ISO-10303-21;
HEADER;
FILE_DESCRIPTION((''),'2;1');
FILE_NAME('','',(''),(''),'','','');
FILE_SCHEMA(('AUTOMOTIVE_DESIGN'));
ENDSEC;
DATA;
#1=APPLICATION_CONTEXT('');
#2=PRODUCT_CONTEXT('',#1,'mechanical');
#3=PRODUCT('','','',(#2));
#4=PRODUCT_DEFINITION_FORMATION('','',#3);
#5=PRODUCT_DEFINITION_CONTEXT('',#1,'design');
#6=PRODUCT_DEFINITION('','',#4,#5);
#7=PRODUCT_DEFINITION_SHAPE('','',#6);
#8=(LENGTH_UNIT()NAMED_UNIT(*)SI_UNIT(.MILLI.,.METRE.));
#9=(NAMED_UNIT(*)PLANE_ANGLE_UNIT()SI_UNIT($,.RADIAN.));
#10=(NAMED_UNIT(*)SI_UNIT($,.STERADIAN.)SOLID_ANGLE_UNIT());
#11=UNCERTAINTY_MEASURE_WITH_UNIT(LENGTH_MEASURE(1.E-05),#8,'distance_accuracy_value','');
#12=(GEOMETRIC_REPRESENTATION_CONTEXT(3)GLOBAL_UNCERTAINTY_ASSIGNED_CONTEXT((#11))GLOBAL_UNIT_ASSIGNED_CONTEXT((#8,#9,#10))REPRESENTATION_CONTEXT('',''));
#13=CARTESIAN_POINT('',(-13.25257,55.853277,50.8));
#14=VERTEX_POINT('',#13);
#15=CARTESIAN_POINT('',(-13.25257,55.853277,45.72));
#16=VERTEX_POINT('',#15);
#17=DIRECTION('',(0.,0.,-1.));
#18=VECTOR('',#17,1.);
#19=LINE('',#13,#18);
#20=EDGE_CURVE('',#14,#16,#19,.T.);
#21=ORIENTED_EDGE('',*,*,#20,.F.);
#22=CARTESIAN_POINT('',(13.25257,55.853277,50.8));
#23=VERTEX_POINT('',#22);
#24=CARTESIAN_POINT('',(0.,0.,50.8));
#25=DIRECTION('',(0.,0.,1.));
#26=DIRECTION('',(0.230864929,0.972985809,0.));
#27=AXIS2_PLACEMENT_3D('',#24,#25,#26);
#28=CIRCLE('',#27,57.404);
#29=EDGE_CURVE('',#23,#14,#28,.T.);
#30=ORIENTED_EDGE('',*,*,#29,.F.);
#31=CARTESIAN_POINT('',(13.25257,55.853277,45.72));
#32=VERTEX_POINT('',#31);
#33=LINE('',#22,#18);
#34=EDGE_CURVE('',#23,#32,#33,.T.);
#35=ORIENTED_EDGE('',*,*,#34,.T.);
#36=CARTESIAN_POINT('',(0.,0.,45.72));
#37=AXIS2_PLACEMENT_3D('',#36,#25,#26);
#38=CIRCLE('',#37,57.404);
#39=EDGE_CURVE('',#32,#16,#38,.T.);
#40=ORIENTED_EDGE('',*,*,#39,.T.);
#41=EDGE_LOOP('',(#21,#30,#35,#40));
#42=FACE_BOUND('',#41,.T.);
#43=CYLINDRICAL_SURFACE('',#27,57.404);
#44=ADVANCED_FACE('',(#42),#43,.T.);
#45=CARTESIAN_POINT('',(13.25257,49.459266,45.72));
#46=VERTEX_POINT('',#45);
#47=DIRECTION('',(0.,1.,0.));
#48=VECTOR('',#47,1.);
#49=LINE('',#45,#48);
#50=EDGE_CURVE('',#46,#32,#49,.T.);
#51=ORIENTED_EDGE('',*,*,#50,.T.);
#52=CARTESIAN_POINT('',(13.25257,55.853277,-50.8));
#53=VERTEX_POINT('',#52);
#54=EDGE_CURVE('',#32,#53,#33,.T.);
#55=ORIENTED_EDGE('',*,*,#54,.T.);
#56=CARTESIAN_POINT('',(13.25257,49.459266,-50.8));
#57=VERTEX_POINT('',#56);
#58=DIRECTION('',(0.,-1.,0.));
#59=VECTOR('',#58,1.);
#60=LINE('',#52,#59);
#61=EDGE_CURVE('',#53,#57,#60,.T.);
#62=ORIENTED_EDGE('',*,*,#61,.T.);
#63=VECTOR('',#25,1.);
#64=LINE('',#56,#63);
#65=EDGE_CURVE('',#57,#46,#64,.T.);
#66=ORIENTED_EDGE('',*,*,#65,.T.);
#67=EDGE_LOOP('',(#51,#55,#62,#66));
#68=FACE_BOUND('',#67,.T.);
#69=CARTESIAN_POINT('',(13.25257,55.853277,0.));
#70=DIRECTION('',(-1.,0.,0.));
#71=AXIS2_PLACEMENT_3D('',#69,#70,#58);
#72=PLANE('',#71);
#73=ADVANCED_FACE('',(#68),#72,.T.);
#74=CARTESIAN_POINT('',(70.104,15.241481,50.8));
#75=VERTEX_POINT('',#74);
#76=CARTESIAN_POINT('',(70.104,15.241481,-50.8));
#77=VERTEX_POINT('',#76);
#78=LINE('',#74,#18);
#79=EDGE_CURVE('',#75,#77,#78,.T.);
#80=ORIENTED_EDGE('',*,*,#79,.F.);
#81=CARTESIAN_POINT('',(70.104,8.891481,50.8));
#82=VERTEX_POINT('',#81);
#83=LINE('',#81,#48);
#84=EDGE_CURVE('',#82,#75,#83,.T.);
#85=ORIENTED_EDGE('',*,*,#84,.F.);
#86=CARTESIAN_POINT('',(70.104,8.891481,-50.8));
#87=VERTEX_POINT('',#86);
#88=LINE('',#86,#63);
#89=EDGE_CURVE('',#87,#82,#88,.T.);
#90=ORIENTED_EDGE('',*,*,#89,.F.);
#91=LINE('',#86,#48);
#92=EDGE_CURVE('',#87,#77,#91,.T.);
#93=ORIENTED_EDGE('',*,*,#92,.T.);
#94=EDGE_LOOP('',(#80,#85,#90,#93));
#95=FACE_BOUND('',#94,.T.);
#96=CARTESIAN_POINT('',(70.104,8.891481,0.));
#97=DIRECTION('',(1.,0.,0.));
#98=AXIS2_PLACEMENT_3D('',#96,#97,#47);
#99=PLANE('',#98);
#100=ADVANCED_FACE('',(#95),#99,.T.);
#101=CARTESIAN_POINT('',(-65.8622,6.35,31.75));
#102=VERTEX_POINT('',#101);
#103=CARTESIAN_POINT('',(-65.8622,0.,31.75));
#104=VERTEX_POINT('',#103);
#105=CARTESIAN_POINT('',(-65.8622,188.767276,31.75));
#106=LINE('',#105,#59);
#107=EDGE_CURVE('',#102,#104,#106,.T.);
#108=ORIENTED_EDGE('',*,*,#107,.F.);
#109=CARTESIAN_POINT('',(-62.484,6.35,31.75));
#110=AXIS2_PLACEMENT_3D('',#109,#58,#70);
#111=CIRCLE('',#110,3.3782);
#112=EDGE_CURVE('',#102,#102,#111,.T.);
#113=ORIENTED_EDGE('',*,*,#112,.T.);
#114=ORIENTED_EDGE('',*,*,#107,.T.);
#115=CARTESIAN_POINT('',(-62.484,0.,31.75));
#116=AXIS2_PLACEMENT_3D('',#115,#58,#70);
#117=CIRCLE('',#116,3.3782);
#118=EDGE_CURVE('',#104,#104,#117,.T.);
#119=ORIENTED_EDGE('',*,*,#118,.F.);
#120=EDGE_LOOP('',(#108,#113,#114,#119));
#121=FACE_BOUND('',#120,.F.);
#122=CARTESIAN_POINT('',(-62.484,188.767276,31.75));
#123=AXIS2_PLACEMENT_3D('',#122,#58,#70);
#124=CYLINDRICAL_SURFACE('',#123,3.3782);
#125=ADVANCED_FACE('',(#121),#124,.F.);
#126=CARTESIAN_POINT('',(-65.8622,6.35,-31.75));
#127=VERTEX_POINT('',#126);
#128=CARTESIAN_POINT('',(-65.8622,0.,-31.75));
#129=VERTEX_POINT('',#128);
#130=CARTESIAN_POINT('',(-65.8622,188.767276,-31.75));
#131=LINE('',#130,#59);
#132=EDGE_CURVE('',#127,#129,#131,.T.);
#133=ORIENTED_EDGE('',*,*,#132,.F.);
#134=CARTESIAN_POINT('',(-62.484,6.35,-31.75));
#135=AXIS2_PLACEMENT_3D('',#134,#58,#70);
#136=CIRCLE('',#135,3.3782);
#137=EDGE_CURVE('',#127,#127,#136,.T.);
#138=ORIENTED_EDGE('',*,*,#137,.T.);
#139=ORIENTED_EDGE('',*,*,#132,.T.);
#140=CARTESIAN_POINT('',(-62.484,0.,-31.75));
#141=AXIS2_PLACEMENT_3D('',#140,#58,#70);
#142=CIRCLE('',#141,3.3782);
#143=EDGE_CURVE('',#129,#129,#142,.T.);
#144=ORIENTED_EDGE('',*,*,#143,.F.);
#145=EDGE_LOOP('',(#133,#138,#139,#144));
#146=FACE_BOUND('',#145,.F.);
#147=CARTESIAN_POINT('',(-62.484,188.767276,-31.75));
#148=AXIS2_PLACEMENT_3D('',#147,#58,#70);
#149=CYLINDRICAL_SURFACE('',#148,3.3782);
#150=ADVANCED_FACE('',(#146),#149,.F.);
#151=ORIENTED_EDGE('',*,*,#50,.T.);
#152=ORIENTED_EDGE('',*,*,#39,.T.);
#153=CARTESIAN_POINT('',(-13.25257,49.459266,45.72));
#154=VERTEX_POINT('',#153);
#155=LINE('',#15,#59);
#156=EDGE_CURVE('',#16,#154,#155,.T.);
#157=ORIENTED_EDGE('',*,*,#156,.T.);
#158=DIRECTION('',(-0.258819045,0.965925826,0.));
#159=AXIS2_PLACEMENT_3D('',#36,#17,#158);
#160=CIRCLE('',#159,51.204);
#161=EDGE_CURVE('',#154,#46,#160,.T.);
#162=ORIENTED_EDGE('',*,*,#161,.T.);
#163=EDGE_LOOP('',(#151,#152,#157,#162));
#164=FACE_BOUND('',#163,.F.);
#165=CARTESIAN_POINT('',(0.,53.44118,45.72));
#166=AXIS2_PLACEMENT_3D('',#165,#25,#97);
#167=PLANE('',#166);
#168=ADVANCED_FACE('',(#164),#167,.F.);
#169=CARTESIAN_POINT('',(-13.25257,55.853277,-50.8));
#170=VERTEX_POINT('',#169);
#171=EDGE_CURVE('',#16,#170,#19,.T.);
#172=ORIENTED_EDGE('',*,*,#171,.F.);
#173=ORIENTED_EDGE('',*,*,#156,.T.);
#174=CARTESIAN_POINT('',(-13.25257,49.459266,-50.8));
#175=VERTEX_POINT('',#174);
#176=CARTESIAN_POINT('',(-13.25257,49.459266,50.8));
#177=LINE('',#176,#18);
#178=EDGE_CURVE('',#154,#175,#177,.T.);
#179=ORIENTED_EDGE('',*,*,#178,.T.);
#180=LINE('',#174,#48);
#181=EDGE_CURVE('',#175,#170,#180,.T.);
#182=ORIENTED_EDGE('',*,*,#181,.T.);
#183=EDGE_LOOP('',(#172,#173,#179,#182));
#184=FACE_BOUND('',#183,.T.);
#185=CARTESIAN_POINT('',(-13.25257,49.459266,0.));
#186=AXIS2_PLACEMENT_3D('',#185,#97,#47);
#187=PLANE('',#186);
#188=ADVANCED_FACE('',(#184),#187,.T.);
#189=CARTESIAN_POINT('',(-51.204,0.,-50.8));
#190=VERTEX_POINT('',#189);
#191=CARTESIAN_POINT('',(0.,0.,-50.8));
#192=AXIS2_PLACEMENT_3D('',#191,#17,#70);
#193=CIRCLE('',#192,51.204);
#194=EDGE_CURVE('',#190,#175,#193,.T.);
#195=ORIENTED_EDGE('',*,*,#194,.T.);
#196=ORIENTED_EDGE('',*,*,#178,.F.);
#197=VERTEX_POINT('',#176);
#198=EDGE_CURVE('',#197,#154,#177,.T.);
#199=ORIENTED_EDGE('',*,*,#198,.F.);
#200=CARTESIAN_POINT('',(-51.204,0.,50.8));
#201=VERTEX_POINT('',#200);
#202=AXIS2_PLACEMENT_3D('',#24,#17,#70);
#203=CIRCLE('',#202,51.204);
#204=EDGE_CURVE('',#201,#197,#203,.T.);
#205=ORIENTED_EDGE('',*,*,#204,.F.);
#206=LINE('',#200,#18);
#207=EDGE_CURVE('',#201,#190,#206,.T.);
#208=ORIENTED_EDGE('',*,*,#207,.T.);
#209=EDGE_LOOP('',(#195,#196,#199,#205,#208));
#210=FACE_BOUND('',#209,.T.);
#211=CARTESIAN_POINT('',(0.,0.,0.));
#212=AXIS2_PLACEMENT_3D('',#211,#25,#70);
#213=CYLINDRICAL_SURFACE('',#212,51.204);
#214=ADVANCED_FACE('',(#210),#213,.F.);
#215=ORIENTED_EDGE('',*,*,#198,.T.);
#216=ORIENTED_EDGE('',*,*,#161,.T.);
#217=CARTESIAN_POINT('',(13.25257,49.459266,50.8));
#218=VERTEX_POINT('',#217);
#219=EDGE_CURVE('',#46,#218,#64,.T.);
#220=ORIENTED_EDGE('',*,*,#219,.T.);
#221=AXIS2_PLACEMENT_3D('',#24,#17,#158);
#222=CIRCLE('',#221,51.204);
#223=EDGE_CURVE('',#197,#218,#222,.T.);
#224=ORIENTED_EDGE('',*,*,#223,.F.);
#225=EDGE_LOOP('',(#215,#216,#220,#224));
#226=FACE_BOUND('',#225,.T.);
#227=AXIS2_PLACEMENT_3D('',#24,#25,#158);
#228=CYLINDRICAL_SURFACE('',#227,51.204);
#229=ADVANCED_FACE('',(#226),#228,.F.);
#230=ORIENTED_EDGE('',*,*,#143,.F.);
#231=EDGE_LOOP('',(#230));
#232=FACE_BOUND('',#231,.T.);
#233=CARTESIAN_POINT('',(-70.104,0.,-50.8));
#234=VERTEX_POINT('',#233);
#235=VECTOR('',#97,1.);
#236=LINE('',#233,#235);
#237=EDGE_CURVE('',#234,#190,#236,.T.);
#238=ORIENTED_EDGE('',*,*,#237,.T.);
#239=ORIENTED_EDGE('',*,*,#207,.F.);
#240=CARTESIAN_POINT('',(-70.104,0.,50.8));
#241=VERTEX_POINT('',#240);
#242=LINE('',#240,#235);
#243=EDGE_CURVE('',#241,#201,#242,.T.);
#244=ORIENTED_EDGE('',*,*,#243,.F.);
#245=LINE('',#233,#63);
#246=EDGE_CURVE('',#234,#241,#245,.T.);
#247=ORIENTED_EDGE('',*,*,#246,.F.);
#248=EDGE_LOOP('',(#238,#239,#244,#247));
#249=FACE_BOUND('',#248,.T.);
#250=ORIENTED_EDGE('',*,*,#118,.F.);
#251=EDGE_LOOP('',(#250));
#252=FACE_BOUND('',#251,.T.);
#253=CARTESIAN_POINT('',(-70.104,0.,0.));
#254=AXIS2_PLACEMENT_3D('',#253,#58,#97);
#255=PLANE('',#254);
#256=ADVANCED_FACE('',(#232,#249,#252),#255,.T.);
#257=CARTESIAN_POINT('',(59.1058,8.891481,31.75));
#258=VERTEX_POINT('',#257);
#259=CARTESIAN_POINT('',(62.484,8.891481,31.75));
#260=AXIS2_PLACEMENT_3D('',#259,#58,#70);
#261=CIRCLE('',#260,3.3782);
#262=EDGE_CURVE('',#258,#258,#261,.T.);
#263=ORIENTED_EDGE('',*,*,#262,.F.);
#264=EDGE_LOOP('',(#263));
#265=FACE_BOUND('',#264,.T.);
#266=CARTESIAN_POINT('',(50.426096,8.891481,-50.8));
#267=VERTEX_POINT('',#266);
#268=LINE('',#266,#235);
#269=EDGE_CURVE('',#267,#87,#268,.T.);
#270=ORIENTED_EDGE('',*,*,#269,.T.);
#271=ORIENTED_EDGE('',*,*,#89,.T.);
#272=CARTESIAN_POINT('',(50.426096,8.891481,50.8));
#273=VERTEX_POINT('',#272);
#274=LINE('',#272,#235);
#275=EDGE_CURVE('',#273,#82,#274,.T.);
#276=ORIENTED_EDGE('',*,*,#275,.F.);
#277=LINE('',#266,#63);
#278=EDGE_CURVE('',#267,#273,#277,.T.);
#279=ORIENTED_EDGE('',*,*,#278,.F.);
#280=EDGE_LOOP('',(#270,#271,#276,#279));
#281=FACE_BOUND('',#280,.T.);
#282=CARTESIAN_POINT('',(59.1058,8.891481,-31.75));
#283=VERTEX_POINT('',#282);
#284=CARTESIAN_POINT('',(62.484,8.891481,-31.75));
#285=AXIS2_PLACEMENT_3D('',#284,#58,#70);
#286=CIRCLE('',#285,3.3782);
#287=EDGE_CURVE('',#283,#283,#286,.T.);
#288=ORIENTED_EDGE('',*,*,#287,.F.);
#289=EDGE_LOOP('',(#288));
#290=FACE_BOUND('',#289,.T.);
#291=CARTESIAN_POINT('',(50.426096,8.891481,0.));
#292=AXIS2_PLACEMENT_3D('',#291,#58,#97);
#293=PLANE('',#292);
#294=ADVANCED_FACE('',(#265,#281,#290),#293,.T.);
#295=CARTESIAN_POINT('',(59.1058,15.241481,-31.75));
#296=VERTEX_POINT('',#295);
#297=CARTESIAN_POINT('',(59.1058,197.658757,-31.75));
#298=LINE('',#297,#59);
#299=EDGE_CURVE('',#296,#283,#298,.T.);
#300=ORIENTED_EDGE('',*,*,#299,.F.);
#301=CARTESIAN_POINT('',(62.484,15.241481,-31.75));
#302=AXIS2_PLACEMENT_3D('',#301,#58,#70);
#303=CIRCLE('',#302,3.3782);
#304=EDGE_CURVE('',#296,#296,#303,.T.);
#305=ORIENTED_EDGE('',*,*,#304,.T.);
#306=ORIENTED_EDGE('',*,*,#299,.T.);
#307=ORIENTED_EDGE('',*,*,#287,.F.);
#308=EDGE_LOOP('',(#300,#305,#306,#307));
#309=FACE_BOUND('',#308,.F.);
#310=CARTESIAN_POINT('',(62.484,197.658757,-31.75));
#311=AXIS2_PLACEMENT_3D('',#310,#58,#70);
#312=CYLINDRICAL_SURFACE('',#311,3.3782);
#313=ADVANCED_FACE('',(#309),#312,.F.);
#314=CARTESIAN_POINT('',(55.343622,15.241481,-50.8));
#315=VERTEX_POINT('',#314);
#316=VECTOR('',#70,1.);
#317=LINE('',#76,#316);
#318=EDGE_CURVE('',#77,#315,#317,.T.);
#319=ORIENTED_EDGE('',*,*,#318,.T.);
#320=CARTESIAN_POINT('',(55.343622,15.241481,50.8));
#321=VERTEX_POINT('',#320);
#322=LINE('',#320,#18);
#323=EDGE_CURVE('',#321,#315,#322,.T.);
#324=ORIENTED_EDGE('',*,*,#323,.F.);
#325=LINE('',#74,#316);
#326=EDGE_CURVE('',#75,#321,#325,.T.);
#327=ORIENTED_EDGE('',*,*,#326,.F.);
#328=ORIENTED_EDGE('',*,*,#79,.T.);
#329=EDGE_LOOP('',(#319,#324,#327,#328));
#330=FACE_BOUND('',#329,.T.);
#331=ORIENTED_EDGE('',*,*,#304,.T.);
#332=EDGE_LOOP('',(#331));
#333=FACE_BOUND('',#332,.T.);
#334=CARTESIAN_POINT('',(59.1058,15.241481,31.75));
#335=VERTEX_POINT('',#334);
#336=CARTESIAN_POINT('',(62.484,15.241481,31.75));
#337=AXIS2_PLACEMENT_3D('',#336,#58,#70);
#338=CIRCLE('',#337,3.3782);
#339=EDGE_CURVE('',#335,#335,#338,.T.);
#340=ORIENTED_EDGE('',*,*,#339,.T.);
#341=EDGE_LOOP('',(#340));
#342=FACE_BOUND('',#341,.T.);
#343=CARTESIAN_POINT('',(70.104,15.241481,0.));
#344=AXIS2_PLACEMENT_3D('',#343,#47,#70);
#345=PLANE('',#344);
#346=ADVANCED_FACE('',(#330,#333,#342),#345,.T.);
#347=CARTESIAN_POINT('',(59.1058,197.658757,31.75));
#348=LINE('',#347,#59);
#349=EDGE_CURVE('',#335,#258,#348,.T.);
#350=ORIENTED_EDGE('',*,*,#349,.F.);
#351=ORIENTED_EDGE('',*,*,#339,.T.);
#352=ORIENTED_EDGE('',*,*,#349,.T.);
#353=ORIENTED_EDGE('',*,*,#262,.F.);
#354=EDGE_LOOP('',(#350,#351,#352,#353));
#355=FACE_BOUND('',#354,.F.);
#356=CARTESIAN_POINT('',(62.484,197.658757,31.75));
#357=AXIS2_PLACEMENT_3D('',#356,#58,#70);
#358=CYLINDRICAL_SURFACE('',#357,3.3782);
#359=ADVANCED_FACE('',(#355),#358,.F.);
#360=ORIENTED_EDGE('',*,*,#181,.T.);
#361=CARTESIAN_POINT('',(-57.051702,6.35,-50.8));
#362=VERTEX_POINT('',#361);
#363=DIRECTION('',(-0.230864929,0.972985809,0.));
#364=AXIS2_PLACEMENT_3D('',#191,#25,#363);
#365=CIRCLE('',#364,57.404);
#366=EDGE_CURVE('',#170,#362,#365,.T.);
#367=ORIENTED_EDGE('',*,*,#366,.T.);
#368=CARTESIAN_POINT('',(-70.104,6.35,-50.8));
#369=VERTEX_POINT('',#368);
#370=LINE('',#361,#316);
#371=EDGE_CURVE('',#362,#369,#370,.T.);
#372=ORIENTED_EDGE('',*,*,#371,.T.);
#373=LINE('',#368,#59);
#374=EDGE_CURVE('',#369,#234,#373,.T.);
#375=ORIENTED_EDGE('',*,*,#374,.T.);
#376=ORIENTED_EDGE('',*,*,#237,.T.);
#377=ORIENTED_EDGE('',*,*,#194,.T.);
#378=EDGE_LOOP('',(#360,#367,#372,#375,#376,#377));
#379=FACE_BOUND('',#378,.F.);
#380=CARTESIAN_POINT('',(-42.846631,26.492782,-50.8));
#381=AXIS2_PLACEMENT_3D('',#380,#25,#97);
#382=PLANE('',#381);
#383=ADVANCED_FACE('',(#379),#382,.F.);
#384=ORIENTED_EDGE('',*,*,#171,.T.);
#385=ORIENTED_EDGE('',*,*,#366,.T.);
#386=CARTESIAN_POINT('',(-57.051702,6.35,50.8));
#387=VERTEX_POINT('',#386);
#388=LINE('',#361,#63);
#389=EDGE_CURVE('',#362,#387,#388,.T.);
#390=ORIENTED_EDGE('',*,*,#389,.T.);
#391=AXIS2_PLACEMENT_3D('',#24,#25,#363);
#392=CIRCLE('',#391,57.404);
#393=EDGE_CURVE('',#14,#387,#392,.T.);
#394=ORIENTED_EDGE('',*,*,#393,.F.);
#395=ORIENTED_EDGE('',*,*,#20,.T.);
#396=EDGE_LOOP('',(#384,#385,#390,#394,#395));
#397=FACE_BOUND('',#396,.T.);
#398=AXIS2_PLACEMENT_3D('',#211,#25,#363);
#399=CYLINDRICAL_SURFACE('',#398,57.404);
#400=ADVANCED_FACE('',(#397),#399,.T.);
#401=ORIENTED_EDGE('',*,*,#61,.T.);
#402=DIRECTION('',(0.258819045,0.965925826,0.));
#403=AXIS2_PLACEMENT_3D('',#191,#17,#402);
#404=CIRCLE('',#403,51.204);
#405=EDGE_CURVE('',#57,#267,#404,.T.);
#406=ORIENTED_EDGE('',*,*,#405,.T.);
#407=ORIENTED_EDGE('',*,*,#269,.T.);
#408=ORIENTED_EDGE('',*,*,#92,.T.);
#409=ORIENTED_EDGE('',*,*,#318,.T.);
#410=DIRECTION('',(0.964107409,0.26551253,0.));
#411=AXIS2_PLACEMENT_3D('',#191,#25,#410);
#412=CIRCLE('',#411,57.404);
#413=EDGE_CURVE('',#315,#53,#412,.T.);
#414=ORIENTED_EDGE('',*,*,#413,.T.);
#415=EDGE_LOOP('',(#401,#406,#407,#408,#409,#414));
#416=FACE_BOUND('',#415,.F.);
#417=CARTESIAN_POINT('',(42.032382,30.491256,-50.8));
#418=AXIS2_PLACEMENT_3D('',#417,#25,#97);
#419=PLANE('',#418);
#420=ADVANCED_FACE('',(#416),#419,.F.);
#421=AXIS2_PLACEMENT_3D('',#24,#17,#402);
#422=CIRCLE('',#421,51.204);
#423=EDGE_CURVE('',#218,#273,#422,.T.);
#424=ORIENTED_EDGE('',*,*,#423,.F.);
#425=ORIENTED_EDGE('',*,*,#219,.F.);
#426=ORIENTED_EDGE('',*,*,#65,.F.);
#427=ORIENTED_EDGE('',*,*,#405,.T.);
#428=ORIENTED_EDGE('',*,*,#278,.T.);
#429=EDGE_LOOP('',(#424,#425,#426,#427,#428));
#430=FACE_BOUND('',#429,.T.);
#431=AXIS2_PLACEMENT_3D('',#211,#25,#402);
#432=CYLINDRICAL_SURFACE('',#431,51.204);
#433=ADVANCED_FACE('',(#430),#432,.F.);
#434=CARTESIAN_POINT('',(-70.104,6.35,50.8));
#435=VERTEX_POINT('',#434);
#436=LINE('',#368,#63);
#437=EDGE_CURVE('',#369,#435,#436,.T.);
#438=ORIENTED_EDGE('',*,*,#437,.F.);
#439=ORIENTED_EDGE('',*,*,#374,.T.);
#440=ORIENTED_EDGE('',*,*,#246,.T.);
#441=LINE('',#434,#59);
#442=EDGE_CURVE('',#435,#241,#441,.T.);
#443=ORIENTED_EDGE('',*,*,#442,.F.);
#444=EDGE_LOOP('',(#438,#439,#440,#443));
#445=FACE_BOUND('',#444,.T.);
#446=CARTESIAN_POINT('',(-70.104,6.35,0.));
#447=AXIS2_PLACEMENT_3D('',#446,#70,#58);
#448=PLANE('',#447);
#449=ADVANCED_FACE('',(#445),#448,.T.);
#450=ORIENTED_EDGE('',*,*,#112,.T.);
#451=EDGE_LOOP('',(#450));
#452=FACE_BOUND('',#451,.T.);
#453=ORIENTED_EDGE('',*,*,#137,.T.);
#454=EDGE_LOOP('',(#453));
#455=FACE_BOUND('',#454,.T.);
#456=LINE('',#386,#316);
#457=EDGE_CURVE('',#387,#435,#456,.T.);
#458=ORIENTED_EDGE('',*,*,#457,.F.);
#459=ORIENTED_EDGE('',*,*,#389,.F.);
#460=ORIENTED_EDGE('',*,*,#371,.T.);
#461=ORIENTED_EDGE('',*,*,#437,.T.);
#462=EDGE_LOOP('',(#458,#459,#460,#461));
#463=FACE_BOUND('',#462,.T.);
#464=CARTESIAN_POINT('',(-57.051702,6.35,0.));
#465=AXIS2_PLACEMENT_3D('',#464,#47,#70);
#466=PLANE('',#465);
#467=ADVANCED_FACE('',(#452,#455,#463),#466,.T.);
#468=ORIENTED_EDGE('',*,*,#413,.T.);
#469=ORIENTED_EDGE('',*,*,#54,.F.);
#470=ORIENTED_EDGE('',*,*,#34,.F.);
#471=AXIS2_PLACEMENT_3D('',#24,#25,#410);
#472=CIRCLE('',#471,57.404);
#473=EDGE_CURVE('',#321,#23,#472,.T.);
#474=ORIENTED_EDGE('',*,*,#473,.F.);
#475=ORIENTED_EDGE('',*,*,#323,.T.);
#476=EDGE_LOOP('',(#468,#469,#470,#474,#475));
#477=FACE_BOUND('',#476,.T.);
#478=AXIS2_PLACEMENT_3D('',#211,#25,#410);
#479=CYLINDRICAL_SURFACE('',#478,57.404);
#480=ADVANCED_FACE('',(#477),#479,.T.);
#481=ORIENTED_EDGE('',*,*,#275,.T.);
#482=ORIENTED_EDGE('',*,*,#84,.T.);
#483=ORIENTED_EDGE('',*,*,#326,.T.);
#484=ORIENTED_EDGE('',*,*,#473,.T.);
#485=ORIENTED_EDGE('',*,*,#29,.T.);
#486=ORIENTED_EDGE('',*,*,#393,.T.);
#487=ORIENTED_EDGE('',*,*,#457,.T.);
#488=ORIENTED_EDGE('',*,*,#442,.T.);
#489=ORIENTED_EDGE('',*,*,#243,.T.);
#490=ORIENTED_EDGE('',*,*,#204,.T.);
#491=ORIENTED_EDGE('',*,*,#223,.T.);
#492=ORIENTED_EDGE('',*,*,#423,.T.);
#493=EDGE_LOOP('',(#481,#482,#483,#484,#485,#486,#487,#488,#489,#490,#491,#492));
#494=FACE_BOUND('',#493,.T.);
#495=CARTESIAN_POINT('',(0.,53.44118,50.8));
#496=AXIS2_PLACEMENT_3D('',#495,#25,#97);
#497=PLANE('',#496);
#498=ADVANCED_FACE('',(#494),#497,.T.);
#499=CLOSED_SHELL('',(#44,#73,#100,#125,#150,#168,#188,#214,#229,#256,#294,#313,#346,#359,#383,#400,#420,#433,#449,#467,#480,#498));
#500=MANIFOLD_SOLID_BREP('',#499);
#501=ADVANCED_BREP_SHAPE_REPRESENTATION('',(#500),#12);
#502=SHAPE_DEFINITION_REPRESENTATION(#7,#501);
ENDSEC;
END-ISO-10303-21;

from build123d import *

# Parameters (mm, degrees)
BOSS_EXTRUDE1_DEPTH     = 50.8
BOSS_EXTRUDE1_2_DEPTH   = 50.8
BOSS_EXTRUDE2_START     = 50.8
BOSS_EXTRUDE2_DEPTH     = 5.08
F_1_4_CLEARANCE_HOLE1_D = 6.7564
F_1_4_CLEARANCE_HOLE2_D = 6.7564


with BuildPart() as part:
    # Sketch1 → Boss-Extrude1 (new body, symmetric)
    with BuildSketch(Plane.XY):
        with BuildLine():
            ThreePointArc((-13.252570374, 55.853277384), (-42.992049277, 38.038177072), (-57.051702131, 6.35))
            Line((-57.051702131, 6.35), (-70.104, 6.35))
            Line((-70.104, 6.35), (-70.104, 0))
            Line((-70.104, 0), (-51.203999954, 0))
            ThreePointArc((-51.203999954, 0), (-40.6228644, 31.171020183), (-13.252570374, 49.459265965))
            Line((-13.252570374, 49.459265965), (-13.252570374, 55.853277384))
        make_face()
    extrude(amount=BOSS_EXTRUDE1_DEPTH, both=True)



with BuildPart() as body_2:
    # Sketch1 → Boss-Extrude1 2 (new body, symmetric)
    with BuildSketch(Plane.XY):
        with BuildLine():
            Line((13.252570374, 55.853277384), (13.252570374, 49.459265965))
            ThreePointArc((13.252570374, 49.459265965), (37.75154872, 34.59292096), (50.42609614, 8.891481281))
            Line((50.42609614, 8.891481281), (70.104, 8.891481281))
            Line((70.104, 8.891481281), (70.104, 15.241481281))
            Line((70.104, 15.241481281), (55.343621713, 15.241481281))
            ThreePointArc((55.343621713, 15.241481281), (39.858360326, 41.310172211), (13.252570374, 55.853277384))
        make_face()
    extrude(amount=BOSS_EXTRUDE1_2_DEPTH, both=True)


with BuildPart() as part_1:
    add(part.part)

    add(body_2.part)  # Boss-Extrude2 merges body 2
    # Sketch1<4> → Boss-Extrude2 (add)
    with BuildSketch(Plane.XY.offset(BOSS_EXTRUDE2_START)):
        with BuildLine():
            Line((-13.252570374, 55.853277384), (-13.252570374, 49.459265965))
            ThreePointArc((-13.252570374, 49.459265965), (0, 51.203999954), (13.252570374, 49.459265965))
            Line((13.252570374, 49.459265965), (13.252570374, 55.853277384))
            ThreePointArc((13.252570374, 55.853277384), (0, 57.404), (-13.252570374, 55.853277384))
        make_face()
    extrude(amount=-BOSS_EXTRUDE2_DEPTH)

    # 1/4 Clearance Hole1 (through all)
    with Locations(Plane(origin=(0, 6.35, 0), x_dir=(1, 0, 0), z_dir=(0, 1, 0))):
        with Locations((-62.484, -31.75), (-62.484, 31.75)):
            Hole(F_1_4_CLEARANCE_HOLE1_D / 2)

    # 1/4 Clearance Hole2 (through all)
    with Locations(Plane(origin=(0, 15.241481281, 0), x_dir=(1, 0, 0), z_dir=(0, 1, 0))):
        with Locations((62.484, -31.75), (62.484, 31.75)):
            Hole(F_1_4_CLEARANCE_HOLE2_D / 2)


solid = part_1.part
